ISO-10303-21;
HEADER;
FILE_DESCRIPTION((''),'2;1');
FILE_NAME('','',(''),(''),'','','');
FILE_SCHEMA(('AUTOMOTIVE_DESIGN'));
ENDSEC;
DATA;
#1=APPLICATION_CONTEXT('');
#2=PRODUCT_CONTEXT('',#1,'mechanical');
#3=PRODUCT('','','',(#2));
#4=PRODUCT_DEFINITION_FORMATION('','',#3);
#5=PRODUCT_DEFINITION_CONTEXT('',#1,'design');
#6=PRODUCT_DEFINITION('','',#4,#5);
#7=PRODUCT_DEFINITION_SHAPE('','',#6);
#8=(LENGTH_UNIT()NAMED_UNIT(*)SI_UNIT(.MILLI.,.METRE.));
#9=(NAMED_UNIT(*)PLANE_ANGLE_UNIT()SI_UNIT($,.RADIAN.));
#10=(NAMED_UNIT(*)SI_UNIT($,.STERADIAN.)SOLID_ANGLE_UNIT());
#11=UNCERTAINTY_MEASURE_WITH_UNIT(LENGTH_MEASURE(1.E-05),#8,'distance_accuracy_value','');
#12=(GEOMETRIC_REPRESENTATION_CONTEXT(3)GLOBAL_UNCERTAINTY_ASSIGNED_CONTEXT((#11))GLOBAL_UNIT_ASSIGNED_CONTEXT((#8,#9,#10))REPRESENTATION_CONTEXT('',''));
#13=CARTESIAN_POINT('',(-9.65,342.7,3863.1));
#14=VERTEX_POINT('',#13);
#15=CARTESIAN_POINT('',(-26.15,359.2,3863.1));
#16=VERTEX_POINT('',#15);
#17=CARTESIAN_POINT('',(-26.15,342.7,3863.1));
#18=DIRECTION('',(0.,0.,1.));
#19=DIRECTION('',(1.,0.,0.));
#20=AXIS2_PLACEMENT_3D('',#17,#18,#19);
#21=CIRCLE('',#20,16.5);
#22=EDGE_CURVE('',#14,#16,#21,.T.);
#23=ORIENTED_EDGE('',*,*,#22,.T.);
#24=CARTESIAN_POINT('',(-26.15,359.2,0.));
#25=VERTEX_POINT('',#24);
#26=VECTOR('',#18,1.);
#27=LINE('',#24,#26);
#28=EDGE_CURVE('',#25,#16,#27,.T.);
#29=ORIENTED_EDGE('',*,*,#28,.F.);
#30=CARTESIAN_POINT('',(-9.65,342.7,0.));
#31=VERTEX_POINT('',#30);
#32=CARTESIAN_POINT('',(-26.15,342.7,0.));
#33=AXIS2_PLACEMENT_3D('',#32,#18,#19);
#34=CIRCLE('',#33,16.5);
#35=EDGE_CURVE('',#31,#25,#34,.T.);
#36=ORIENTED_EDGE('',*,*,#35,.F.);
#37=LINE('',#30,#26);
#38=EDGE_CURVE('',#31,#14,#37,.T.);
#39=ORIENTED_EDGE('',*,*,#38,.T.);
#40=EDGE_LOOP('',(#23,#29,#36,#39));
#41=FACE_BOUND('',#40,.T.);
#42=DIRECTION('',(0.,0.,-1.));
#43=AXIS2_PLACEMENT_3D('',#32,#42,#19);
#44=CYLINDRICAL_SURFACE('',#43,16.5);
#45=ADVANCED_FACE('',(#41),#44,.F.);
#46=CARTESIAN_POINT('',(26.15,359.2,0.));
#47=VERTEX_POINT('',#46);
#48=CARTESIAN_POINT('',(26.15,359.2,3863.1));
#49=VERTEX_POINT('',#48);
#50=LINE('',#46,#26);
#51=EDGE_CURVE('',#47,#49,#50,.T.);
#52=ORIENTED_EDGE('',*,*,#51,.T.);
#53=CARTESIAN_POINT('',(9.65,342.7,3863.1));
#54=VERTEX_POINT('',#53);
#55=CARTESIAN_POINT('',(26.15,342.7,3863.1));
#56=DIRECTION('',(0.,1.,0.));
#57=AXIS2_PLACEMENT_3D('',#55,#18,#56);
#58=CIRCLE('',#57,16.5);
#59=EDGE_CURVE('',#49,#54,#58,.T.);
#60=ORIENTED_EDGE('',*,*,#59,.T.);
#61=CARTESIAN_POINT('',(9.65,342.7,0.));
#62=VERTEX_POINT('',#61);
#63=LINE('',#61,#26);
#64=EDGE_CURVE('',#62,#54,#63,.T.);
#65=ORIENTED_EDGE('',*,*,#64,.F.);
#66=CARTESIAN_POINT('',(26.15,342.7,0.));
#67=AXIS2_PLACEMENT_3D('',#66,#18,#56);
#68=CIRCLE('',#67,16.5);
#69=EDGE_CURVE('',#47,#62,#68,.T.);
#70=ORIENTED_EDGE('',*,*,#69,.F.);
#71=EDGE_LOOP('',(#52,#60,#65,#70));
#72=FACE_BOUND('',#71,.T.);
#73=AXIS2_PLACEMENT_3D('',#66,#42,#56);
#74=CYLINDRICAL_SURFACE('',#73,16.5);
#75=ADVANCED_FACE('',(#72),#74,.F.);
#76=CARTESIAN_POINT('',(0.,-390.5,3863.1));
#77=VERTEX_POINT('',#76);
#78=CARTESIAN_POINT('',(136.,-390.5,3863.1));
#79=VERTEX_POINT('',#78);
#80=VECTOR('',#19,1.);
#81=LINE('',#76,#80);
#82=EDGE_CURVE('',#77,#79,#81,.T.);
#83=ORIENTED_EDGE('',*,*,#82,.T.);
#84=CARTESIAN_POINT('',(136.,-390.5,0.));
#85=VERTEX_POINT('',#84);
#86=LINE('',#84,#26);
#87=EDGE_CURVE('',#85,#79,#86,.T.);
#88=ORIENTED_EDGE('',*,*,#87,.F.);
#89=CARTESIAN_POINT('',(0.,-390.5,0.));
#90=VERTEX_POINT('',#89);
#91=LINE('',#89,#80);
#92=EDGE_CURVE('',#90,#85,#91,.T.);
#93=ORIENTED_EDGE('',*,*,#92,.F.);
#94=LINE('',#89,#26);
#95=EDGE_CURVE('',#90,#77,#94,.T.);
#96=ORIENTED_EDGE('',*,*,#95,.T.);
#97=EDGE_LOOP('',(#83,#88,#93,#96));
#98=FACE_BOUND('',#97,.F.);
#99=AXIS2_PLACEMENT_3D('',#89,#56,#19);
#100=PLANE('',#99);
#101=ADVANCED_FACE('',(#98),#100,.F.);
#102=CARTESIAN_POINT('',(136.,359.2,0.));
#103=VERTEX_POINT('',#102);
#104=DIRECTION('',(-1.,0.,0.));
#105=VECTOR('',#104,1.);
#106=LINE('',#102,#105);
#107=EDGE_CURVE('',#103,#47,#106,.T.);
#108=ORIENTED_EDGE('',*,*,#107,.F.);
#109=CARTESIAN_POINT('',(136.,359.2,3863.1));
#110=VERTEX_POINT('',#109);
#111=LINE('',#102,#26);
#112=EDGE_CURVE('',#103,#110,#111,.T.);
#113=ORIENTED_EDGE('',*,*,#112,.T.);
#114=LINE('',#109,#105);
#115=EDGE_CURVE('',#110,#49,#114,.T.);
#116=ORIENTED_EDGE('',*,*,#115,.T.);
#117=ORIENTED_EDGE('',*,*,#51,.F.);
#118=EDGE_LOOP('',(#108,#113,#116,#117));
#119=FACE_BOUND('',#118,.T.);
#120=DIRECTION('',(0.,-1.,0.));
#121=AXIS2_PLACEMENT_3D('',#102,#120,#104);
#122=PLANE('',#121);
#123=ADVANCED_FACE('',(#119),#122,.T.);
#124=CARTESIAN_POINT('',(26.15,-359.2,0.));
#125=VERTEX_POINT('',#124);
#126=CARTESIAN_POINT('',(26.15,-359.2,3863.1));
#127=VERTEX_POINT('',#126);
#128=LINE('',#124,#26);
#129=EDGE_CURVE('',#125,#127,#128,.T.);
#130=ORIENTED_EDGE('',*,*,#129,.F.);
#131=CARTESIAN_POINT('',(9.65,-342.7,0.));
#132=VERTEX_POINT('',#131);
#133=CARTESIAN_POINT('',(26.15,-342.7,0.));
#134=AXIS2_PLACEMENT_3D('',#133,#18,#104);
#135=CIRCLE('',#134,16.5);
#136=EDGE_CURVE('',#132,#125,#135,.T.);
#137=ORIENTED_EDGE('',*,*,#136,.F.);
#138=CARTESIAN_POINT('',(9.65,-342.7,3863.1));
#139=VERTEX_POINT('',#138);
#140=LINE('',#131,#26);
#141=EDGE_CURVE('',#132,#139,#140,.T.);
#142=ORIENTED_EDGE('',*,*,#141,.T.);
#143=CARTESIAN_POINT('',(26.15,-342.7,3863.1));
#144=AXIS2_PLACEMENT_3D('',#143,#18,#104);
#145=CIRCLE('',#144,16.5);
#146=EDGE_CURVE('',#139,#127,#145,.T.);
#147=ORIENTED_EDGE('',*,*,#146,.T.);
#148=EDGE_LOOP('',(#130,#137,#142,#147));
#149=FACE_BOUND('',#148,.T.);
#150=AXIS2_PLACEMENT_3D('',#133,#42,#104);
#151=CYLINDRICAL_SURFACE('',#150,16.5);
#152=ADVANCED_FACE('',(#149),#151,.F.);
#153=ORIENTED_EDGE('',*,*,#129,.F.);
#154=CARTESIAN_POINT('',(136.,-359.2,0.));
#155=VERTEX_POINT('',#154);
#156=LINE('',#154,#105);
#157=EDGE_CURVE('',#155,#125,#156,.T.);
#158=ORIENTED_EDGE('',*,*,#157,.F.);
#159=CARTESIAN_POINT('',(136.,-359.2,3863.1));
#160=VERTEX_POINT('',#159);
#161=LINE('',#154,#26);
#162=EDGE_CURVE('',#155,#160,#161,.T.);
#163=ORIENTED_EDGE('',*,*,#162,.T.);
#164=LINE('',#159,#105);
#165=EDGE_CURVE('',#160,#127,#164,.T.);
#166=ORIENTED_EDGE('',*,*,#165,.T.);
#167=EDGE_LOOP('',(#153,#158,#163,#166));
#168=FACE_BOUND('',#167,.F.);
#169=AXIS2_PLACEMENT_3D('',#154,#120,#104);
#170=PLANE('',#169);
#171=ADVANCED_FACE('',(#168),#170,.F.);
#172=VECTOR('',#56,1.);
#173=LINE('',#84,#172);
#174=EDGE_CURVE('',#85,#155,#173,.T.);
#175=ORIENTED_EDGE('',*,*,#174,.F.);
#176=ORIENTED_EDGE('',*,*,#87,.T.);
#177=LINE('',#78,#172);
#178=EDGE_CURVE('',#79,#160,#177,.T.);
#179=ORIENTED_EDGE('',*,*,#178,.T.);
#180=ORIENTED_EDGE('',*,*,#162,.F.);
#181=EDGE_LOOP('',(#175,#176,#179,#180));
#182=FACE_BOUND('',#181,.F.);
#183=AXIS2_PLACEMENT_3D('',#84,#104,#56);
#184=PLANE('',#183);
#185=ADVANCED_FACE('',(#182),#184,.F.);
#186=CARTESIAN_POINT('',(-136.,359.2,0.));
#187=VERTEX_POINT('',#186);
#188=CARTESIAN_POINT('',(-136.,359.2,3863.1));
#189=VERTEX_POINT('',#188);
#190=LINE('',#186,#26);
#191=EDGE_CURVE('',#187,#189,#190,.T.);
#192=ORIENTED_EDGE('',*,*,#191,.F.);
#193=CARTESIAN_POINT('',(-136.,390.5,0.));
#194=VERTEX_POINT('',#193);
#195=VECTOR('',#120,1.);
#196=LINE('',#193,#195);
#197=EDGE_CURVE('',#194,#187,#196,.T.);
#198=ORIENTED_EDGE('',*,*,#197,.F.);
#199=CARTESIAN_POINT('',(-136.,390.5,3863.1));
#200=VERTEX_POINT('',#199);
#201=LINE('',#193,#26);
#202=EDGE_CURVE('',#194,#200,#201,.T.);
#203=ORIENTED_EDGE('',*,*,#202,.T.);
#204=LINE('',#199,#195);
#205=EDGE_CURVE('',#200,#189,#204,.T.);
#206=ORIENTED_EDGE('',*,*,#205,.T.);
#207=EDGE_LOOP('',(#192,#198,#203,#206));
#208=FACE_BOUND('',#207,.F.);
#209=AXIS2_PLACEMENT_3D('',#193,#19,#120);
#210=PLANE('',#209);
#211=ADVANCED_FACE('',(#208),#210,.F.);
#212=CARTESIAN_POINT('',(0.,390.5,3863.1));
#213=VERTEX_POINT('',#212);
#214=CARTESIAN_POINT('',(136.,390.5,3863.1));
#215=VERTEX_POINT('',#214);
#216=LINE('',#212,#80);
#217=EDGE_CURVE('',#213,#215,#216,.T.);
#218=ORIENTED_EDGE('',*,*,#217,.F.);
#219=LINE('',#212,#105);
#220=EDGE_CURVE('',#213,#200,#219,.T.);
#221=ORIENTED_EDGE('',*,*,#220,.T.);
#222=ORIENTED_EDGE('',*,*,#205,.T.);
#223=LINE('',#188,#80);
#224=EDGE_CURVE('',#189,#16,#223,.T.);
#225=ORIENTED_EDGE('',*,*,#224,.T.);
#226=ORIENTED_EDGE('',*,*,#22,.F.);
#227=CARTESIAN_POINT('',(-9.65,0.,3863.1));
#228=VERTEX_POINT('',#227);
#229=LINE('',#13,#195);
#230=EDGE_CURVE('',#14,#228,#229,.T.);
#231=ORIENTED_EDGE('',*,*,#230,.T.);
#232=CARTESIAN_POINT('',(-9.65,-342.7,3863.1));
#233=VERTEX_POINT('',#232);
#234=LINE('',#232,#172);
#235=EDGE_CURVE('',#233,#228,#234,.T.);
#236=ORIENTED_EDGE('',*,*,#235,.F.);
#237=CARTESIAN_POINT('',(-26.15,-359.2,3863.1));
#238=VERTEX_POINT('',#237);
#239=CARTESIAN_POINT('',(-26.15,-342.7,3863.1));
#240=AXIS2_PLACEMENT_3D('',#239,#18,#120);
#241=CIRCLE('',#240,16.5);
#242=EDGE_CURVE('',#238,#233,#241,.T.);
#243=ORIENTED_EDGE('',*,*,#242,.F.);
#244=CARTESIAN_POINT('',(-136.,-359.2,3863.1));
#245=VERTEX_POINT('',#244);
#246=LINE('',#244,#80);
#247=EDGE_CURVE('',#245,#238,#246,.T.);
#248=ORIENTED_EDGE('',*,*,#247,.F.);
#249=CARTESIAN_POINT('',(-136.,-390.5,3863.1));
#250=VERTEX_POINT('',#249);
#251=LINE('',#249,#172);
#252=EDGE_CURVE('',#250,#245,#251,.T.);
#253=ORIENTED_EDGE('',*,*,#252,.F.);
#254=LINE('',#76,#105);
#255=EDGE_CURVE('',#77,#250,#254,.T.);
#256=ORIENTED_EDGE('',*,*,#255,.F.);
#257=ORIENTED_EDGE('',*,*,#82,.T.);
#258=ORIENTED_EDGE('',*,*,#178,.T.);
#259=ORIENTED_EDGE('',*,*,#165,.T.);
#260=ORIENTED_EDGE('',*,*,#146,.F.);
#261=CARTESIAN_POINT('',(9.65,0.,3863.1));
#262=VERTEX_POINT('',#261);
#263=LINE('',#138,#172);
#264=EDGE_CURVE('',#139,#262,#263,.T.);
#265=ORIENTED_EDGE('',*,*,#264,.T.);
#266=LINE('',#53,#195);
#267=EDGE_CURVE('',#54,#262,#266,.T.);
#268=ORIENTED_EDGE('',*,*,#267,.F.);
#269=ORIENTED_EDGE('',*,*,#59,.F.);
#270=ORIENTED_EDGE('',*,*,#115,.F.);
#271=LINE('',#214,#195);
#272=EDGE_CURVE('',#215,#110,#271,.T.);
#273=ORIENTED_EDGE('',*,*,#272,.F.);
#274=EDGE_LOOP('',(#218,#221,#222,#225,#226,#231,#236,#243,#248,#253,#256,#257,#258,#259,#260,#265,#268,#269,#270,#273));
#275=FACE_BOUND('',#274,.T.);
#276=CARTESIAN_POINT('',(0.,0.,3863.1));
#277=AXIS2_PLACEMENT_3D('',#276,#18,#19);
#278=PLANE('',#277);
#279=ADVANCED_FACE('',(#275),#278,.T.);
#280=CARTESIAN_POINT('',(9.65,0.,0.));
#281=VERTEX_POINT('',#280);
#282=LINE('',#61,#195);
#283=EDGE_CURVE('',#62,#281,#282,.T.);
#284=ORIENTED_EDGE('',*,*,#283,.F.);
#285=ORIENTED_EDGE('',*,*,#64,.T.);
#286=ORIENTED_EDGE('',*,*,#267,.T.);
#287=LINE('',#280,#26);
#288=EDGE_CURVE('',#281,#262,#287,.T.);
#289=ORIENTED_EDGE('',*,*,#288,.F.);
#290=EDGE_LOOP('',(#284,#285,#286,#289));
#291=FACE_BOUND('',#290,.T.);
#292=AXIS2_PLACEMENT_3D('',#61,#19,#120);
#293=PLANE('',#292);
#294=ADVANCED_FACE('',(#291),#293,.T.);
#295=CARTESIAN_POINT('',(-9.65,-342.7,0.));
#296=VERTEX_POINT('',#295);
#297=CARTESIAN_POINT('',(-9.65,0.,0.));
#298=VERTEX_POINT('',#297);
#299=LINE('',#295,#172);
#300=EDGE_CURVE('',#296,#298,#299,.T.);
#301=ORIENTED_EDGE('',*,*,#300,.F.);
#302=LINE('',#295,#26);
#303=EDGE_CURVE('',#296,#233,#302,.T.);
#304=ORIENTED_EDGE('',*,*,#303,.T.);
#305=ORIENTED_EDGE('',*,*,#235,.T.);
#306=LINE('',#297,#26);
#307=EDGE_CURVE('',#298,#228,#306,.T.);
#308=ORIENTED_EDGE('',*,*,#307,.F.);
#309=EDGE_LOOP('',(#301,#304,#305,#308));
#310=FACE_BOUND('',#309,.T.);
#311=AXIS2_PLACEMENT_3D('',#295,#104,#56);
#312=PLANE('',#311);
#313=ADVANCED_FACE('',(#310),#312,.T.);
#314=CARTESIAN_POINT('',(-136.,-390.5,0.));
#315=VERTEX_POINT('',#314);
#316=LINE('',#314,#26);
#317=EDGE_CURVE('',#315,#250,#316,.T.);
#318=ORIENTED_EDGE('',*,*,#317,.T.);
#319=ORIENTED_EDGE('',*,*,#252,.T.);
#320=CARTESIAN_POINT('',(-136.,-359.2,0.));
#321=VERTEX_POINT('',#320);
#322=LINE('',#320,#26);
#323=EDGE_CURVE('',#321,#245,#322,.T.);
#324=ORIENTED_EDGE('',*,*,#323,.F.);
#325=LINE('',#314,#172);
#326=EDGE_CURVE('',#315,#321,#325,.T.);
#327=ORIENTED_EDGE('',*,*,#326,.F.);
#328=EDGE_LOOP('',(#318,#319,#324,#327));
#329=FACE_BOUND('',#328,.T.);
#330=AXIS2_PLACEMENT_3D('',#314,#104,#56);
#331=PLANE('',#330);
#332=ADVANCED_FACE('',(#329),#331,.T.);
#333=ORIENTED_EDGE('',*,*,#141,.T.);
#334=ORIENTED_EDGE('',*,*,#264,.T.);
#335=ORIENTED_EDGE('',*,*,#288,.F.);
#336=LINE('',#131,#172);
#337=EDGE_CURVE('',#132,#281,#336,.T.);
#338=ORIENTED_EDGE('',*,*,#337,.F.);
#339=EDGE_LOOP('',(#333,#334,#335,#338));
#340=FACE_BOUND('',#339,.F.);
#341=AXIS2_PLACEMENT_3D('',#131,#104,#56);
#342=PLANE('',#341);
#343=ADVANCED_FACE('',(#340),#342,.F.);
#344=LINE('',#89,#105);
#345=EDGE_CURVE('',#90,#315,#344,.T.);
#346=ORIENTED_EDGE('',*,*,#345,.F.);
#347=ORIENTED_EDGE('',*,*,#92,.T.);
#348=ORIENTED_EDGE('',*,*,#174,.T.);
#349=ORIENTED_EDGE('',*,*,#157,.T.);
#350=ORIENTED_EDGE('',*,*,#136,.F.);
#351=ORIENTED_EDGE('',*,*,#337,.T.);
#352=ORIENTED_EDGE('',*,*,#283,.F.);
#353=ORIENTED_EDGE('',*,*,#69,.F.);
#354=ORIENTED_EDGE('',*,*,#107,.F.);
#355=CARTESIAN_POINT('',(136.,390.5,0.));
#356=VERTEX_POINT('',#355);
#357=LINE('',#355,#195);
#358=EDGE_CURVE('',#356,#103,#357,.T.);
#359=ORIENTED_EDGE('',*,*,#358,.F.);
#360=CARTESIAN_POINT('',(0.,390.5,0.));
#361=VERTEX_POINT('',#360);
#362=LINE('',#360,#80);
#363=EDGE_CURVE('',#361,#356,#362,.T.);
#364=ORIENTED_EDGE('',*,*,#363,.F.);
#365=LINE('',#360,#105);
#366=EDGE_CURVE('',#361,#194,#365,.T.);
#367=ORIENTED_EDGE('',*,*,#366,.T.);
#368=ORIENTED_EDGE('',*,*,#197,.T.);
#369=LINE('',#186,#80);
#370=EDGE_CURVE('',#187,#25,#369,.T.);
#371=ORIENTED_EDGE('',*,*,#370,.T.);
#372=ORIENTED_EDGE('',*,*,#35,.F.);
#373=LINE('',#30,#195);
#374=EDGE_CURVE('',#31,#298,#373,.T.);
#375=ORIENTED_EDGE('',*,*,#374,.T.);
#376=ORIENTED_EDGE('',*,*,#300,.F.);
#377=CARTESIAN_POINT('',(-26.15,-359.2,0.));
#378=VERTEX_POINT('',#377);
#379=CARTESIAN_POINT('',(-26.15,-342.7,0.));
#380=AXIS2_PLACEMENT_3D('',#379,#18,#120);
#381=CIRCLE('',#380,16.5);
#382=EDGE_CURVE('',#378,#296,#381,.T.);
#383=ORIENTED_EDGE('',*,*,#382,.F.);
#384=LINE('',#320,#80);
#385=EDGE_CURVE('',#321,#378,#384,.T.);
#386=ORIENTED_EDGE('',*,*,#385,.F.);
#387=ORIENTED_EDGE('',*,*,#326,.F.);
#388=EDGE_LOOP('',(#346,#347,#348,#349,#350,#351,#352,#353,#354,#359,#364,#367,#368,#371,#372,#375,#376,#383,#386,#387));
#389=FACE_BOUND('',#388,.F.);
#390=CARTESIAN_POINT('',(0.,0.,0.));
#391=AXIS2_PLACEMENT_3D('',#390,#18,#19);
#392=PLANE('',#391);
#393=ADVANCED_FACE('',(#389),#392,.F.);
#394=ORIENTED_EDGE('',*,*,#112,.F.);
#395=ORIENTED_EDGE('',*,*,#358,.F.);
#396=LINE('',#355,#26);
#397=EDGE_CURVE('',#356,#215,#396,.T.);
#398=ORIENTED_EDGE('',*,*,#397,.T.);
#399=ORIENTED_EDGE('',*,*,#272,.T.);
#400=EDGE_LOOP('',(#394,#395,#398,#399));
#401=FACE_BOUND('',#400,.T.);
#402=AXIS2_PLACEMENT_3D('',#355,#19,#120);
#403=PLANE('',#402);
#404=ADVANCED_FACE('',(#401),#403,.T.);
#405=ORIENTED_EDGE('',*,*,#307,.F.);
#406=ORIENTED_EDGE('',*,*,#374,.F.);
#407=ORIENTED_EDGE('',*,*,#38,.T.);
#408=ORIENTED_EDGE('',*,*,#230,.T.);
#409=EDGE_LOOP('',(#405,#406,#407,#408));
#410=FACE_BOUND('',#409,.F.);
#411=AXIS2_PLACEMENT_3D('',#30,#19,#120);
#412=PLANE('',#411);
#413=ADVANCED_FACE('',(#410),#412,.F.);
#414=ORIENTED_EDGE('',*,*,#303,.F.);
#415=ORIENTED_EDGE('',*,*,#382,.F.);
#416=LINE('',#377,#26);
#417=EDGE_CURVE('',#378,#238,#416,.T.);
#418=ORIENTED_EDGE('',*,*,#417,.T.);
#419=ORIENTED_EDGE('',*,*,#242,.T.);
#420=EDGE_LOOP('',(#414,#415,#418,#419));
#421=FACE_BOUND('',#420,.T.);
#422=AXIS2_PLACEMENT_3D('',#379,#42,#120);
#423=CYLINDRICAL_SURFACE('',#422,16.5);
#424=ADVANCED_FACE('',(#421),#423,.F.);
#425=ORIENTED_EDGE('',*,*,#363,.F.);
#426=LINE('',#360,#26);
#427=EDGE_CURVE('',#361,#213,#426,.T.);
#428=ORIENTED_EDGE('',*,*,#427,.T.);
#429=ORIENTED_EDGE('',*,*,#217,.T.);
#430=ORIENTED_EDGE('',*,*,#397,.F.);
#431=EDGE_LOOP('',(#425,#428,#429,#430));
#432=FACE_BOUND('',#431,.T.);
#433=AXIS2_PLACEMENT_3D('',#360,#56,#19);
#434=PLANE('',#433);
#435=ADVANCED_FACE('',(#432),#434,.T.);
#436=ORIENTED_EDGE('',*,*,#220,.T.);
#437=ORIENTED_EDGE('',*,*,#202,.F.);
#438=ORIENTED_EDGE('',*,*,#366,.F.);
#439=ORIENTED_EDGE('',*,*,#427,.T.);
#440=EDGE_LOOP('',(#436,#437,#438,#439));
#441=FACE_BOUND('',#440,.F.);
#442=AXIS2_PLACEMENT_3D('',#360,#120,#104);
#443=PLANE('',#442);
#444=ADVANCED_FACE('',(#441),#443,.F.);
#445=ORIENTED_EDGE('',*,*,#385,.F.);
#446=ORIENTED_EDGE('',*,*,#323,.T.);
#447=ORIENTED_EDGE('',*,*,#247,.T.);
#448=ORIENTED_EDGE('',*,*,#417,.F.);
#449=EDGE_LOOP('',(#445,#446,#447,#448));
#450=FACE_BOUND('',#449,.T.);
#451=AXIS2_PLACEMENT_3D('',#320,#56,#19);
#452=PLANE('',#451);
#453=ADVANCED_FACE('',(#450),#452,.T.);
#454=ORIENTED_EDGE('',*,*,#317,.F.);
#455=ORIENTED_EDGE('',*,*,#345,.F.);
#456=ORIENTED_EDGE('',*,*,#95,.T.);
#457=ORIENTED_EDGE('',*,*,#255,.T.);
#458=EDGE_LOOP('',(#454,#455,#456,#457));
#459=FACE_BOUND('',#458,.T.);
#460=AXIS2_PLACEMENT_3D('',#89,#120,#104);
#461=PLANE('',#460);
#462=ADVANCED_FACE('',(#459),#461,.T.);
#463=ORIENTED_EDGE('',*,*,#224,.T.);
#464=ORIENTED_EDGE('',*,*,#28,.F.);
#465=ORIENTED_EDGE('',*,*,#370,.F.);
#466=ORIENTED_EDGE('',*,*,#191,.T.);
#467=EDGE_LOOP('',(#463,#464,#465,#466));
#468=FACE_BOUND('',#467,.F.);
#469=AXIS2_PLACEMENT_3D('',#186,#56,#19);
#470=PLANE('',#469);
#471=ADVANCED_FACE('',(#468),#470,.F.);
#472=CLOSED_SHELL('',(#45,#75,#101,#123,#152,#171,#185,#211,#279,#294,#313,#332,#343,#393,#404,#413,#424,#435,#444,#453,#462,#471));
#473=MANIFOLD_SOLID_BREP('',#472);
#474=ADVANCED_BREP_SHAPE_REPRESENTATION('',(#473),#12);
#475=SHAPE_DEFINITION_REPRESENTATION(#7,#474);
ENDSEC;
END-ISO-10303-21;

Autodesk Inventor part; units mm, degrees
ref_plane "YZ Plane" through (0, 0, 0) normal (1, 0, 0) x (0, 1, 0)
ref_plane "Start plane" through (0, 0, 0) normal (0, 0, 1) x (1, 0, 0)
ref_plane "End plane" through (0, 0, 3863.1) normal (0, 0, 1) x (1, 0, 0)
sketch "Sketch" plane through (0, 0, 0) normal (0, 0, 1) x (1, 0, 0)
  line L0 (-136, -390.5) -> (-136, -359.2)
  line L1 (-136, -359.2) -> (-26.15, -359.2)
  line L2 (-9.65, -342.7) -> (-9.65, 0)
  line L3 (-9.65, 0) -> (0, 0) construction
  line L4 (0, 0) -> (0, -390.5) construction
  line L5 (0, -390.5) -> (-136, -390.5)
  line L6 (-60, 0) -> (80, 0) construction
  line L7 (0, -60) -> (0, 80) construction
  line L8 (136, -390.5) -> (136, -359.2)
  line L9 (136, -359.2) -> (26.15, -359.2)
  line L10 (9.65, -342.7) -> (9.65, 0)
  line L11 (9.65, 0) -> (0, 0) construction
  line L12 (0, -390.5) -> (136, -390.5)
  line L13 (-136, 390.5) -> (-136, 359.2)
  line L14 (-136, 359.2) -> (-26.15, 359.2)
  line L15 (-9.65, 342.7) -> (-9.65, 0)
  line L16 (0, 390.5) -> (-136, 390.5)
  line L17 (136, 390.5) -> (136, 359.2)
  line L18 (136, 359.2) -> (26.15, 359.2)
  line L19 (0, 390.5) -> (136, 390.5)
  line L20 (9.65, 342.7) -> (9.65, 0)
  arc A0 (-9.65, 342.7) -> (-26.15, 359.2) centre (-26.15, 342.7) ccw
  arc A1 (26.15, 359.2) -> (9.65, 342.7) centre (26.15, 342.7) ccw
  arc A2 (9.65, -342.7) -> (26.15, -359.2) centre (26.15, -342.7) ccw
  arc A3 (-26.15, -359.2) -> (-9.65, -342.7) centre (-26.15, -342.7) ccw
  line L21 (0, 108) -> (0, -88) construction
  line L22 (-88, 0) -> (108, 0) construction
  point P0 (-9.65, -359.2)
  point P1 (9.65, -359.2)
  point P2 (-9.65, 359.2)
  point P3 (9.65, 359.2)
  dimension "d1" = 390.5
  dimension "d2" = 31.3
  dimension "d3" = 136
  dimension "d4" = 9.65
  dimension "d10" = 16.5
extrude "Body" add sketch "Sketch" along normal up to surface (3863.1 mm away) from surface at 0
sketch "Sketch4" plane through (0, 0, 0) normal (0, 0, 1) x (1, 0, 0)
  line L0 (0, 0) -> (10, 0)
ref_plane "Work Plane3" through (0, 0, 0) normal (0, -1, 0) x (1, 0, 0)
sketch "Sketch5" plane through (0, 0, 0) normal (0, -1, 0) x (1, 0, 0)
  line L0 (-2, 0) -> (12, 0) projected
  line L1 (-2, 3863.1) -> (12, 3863.1) projected
  dimension "d14" = 3863.1
equation "\"d1\" = 0.5 * G_H"
equation "\"d2\" = G_T1"
equation "\"d3\" = 0.5 * G_W"
equation "\"d4\" = 0.5 * G_T"
equation "\"d10\" = G_IR"
equation "\"d5\" = G_L"
equation "\"G_W\" = 272"
equation "\"G_H\" = 781"
equation "\"G_T\" = 19.3"
equation "\"G_T1\" = 31.3"
equation "\"G_IR\" = 16.5"
equation "\"G_L\" = d14"
equation "\"G_OFFSET_START\" = 0"
equation "\"G_OFFSET_END\" = 0"
equation "\"d12\" = G_OFFSET_END + B_L"
equation "\"B_L\" = 3863.1"
properties part number "AS 3679-1990 - 760 UB - 244 - 3863.1" material "Steel, Mild"
